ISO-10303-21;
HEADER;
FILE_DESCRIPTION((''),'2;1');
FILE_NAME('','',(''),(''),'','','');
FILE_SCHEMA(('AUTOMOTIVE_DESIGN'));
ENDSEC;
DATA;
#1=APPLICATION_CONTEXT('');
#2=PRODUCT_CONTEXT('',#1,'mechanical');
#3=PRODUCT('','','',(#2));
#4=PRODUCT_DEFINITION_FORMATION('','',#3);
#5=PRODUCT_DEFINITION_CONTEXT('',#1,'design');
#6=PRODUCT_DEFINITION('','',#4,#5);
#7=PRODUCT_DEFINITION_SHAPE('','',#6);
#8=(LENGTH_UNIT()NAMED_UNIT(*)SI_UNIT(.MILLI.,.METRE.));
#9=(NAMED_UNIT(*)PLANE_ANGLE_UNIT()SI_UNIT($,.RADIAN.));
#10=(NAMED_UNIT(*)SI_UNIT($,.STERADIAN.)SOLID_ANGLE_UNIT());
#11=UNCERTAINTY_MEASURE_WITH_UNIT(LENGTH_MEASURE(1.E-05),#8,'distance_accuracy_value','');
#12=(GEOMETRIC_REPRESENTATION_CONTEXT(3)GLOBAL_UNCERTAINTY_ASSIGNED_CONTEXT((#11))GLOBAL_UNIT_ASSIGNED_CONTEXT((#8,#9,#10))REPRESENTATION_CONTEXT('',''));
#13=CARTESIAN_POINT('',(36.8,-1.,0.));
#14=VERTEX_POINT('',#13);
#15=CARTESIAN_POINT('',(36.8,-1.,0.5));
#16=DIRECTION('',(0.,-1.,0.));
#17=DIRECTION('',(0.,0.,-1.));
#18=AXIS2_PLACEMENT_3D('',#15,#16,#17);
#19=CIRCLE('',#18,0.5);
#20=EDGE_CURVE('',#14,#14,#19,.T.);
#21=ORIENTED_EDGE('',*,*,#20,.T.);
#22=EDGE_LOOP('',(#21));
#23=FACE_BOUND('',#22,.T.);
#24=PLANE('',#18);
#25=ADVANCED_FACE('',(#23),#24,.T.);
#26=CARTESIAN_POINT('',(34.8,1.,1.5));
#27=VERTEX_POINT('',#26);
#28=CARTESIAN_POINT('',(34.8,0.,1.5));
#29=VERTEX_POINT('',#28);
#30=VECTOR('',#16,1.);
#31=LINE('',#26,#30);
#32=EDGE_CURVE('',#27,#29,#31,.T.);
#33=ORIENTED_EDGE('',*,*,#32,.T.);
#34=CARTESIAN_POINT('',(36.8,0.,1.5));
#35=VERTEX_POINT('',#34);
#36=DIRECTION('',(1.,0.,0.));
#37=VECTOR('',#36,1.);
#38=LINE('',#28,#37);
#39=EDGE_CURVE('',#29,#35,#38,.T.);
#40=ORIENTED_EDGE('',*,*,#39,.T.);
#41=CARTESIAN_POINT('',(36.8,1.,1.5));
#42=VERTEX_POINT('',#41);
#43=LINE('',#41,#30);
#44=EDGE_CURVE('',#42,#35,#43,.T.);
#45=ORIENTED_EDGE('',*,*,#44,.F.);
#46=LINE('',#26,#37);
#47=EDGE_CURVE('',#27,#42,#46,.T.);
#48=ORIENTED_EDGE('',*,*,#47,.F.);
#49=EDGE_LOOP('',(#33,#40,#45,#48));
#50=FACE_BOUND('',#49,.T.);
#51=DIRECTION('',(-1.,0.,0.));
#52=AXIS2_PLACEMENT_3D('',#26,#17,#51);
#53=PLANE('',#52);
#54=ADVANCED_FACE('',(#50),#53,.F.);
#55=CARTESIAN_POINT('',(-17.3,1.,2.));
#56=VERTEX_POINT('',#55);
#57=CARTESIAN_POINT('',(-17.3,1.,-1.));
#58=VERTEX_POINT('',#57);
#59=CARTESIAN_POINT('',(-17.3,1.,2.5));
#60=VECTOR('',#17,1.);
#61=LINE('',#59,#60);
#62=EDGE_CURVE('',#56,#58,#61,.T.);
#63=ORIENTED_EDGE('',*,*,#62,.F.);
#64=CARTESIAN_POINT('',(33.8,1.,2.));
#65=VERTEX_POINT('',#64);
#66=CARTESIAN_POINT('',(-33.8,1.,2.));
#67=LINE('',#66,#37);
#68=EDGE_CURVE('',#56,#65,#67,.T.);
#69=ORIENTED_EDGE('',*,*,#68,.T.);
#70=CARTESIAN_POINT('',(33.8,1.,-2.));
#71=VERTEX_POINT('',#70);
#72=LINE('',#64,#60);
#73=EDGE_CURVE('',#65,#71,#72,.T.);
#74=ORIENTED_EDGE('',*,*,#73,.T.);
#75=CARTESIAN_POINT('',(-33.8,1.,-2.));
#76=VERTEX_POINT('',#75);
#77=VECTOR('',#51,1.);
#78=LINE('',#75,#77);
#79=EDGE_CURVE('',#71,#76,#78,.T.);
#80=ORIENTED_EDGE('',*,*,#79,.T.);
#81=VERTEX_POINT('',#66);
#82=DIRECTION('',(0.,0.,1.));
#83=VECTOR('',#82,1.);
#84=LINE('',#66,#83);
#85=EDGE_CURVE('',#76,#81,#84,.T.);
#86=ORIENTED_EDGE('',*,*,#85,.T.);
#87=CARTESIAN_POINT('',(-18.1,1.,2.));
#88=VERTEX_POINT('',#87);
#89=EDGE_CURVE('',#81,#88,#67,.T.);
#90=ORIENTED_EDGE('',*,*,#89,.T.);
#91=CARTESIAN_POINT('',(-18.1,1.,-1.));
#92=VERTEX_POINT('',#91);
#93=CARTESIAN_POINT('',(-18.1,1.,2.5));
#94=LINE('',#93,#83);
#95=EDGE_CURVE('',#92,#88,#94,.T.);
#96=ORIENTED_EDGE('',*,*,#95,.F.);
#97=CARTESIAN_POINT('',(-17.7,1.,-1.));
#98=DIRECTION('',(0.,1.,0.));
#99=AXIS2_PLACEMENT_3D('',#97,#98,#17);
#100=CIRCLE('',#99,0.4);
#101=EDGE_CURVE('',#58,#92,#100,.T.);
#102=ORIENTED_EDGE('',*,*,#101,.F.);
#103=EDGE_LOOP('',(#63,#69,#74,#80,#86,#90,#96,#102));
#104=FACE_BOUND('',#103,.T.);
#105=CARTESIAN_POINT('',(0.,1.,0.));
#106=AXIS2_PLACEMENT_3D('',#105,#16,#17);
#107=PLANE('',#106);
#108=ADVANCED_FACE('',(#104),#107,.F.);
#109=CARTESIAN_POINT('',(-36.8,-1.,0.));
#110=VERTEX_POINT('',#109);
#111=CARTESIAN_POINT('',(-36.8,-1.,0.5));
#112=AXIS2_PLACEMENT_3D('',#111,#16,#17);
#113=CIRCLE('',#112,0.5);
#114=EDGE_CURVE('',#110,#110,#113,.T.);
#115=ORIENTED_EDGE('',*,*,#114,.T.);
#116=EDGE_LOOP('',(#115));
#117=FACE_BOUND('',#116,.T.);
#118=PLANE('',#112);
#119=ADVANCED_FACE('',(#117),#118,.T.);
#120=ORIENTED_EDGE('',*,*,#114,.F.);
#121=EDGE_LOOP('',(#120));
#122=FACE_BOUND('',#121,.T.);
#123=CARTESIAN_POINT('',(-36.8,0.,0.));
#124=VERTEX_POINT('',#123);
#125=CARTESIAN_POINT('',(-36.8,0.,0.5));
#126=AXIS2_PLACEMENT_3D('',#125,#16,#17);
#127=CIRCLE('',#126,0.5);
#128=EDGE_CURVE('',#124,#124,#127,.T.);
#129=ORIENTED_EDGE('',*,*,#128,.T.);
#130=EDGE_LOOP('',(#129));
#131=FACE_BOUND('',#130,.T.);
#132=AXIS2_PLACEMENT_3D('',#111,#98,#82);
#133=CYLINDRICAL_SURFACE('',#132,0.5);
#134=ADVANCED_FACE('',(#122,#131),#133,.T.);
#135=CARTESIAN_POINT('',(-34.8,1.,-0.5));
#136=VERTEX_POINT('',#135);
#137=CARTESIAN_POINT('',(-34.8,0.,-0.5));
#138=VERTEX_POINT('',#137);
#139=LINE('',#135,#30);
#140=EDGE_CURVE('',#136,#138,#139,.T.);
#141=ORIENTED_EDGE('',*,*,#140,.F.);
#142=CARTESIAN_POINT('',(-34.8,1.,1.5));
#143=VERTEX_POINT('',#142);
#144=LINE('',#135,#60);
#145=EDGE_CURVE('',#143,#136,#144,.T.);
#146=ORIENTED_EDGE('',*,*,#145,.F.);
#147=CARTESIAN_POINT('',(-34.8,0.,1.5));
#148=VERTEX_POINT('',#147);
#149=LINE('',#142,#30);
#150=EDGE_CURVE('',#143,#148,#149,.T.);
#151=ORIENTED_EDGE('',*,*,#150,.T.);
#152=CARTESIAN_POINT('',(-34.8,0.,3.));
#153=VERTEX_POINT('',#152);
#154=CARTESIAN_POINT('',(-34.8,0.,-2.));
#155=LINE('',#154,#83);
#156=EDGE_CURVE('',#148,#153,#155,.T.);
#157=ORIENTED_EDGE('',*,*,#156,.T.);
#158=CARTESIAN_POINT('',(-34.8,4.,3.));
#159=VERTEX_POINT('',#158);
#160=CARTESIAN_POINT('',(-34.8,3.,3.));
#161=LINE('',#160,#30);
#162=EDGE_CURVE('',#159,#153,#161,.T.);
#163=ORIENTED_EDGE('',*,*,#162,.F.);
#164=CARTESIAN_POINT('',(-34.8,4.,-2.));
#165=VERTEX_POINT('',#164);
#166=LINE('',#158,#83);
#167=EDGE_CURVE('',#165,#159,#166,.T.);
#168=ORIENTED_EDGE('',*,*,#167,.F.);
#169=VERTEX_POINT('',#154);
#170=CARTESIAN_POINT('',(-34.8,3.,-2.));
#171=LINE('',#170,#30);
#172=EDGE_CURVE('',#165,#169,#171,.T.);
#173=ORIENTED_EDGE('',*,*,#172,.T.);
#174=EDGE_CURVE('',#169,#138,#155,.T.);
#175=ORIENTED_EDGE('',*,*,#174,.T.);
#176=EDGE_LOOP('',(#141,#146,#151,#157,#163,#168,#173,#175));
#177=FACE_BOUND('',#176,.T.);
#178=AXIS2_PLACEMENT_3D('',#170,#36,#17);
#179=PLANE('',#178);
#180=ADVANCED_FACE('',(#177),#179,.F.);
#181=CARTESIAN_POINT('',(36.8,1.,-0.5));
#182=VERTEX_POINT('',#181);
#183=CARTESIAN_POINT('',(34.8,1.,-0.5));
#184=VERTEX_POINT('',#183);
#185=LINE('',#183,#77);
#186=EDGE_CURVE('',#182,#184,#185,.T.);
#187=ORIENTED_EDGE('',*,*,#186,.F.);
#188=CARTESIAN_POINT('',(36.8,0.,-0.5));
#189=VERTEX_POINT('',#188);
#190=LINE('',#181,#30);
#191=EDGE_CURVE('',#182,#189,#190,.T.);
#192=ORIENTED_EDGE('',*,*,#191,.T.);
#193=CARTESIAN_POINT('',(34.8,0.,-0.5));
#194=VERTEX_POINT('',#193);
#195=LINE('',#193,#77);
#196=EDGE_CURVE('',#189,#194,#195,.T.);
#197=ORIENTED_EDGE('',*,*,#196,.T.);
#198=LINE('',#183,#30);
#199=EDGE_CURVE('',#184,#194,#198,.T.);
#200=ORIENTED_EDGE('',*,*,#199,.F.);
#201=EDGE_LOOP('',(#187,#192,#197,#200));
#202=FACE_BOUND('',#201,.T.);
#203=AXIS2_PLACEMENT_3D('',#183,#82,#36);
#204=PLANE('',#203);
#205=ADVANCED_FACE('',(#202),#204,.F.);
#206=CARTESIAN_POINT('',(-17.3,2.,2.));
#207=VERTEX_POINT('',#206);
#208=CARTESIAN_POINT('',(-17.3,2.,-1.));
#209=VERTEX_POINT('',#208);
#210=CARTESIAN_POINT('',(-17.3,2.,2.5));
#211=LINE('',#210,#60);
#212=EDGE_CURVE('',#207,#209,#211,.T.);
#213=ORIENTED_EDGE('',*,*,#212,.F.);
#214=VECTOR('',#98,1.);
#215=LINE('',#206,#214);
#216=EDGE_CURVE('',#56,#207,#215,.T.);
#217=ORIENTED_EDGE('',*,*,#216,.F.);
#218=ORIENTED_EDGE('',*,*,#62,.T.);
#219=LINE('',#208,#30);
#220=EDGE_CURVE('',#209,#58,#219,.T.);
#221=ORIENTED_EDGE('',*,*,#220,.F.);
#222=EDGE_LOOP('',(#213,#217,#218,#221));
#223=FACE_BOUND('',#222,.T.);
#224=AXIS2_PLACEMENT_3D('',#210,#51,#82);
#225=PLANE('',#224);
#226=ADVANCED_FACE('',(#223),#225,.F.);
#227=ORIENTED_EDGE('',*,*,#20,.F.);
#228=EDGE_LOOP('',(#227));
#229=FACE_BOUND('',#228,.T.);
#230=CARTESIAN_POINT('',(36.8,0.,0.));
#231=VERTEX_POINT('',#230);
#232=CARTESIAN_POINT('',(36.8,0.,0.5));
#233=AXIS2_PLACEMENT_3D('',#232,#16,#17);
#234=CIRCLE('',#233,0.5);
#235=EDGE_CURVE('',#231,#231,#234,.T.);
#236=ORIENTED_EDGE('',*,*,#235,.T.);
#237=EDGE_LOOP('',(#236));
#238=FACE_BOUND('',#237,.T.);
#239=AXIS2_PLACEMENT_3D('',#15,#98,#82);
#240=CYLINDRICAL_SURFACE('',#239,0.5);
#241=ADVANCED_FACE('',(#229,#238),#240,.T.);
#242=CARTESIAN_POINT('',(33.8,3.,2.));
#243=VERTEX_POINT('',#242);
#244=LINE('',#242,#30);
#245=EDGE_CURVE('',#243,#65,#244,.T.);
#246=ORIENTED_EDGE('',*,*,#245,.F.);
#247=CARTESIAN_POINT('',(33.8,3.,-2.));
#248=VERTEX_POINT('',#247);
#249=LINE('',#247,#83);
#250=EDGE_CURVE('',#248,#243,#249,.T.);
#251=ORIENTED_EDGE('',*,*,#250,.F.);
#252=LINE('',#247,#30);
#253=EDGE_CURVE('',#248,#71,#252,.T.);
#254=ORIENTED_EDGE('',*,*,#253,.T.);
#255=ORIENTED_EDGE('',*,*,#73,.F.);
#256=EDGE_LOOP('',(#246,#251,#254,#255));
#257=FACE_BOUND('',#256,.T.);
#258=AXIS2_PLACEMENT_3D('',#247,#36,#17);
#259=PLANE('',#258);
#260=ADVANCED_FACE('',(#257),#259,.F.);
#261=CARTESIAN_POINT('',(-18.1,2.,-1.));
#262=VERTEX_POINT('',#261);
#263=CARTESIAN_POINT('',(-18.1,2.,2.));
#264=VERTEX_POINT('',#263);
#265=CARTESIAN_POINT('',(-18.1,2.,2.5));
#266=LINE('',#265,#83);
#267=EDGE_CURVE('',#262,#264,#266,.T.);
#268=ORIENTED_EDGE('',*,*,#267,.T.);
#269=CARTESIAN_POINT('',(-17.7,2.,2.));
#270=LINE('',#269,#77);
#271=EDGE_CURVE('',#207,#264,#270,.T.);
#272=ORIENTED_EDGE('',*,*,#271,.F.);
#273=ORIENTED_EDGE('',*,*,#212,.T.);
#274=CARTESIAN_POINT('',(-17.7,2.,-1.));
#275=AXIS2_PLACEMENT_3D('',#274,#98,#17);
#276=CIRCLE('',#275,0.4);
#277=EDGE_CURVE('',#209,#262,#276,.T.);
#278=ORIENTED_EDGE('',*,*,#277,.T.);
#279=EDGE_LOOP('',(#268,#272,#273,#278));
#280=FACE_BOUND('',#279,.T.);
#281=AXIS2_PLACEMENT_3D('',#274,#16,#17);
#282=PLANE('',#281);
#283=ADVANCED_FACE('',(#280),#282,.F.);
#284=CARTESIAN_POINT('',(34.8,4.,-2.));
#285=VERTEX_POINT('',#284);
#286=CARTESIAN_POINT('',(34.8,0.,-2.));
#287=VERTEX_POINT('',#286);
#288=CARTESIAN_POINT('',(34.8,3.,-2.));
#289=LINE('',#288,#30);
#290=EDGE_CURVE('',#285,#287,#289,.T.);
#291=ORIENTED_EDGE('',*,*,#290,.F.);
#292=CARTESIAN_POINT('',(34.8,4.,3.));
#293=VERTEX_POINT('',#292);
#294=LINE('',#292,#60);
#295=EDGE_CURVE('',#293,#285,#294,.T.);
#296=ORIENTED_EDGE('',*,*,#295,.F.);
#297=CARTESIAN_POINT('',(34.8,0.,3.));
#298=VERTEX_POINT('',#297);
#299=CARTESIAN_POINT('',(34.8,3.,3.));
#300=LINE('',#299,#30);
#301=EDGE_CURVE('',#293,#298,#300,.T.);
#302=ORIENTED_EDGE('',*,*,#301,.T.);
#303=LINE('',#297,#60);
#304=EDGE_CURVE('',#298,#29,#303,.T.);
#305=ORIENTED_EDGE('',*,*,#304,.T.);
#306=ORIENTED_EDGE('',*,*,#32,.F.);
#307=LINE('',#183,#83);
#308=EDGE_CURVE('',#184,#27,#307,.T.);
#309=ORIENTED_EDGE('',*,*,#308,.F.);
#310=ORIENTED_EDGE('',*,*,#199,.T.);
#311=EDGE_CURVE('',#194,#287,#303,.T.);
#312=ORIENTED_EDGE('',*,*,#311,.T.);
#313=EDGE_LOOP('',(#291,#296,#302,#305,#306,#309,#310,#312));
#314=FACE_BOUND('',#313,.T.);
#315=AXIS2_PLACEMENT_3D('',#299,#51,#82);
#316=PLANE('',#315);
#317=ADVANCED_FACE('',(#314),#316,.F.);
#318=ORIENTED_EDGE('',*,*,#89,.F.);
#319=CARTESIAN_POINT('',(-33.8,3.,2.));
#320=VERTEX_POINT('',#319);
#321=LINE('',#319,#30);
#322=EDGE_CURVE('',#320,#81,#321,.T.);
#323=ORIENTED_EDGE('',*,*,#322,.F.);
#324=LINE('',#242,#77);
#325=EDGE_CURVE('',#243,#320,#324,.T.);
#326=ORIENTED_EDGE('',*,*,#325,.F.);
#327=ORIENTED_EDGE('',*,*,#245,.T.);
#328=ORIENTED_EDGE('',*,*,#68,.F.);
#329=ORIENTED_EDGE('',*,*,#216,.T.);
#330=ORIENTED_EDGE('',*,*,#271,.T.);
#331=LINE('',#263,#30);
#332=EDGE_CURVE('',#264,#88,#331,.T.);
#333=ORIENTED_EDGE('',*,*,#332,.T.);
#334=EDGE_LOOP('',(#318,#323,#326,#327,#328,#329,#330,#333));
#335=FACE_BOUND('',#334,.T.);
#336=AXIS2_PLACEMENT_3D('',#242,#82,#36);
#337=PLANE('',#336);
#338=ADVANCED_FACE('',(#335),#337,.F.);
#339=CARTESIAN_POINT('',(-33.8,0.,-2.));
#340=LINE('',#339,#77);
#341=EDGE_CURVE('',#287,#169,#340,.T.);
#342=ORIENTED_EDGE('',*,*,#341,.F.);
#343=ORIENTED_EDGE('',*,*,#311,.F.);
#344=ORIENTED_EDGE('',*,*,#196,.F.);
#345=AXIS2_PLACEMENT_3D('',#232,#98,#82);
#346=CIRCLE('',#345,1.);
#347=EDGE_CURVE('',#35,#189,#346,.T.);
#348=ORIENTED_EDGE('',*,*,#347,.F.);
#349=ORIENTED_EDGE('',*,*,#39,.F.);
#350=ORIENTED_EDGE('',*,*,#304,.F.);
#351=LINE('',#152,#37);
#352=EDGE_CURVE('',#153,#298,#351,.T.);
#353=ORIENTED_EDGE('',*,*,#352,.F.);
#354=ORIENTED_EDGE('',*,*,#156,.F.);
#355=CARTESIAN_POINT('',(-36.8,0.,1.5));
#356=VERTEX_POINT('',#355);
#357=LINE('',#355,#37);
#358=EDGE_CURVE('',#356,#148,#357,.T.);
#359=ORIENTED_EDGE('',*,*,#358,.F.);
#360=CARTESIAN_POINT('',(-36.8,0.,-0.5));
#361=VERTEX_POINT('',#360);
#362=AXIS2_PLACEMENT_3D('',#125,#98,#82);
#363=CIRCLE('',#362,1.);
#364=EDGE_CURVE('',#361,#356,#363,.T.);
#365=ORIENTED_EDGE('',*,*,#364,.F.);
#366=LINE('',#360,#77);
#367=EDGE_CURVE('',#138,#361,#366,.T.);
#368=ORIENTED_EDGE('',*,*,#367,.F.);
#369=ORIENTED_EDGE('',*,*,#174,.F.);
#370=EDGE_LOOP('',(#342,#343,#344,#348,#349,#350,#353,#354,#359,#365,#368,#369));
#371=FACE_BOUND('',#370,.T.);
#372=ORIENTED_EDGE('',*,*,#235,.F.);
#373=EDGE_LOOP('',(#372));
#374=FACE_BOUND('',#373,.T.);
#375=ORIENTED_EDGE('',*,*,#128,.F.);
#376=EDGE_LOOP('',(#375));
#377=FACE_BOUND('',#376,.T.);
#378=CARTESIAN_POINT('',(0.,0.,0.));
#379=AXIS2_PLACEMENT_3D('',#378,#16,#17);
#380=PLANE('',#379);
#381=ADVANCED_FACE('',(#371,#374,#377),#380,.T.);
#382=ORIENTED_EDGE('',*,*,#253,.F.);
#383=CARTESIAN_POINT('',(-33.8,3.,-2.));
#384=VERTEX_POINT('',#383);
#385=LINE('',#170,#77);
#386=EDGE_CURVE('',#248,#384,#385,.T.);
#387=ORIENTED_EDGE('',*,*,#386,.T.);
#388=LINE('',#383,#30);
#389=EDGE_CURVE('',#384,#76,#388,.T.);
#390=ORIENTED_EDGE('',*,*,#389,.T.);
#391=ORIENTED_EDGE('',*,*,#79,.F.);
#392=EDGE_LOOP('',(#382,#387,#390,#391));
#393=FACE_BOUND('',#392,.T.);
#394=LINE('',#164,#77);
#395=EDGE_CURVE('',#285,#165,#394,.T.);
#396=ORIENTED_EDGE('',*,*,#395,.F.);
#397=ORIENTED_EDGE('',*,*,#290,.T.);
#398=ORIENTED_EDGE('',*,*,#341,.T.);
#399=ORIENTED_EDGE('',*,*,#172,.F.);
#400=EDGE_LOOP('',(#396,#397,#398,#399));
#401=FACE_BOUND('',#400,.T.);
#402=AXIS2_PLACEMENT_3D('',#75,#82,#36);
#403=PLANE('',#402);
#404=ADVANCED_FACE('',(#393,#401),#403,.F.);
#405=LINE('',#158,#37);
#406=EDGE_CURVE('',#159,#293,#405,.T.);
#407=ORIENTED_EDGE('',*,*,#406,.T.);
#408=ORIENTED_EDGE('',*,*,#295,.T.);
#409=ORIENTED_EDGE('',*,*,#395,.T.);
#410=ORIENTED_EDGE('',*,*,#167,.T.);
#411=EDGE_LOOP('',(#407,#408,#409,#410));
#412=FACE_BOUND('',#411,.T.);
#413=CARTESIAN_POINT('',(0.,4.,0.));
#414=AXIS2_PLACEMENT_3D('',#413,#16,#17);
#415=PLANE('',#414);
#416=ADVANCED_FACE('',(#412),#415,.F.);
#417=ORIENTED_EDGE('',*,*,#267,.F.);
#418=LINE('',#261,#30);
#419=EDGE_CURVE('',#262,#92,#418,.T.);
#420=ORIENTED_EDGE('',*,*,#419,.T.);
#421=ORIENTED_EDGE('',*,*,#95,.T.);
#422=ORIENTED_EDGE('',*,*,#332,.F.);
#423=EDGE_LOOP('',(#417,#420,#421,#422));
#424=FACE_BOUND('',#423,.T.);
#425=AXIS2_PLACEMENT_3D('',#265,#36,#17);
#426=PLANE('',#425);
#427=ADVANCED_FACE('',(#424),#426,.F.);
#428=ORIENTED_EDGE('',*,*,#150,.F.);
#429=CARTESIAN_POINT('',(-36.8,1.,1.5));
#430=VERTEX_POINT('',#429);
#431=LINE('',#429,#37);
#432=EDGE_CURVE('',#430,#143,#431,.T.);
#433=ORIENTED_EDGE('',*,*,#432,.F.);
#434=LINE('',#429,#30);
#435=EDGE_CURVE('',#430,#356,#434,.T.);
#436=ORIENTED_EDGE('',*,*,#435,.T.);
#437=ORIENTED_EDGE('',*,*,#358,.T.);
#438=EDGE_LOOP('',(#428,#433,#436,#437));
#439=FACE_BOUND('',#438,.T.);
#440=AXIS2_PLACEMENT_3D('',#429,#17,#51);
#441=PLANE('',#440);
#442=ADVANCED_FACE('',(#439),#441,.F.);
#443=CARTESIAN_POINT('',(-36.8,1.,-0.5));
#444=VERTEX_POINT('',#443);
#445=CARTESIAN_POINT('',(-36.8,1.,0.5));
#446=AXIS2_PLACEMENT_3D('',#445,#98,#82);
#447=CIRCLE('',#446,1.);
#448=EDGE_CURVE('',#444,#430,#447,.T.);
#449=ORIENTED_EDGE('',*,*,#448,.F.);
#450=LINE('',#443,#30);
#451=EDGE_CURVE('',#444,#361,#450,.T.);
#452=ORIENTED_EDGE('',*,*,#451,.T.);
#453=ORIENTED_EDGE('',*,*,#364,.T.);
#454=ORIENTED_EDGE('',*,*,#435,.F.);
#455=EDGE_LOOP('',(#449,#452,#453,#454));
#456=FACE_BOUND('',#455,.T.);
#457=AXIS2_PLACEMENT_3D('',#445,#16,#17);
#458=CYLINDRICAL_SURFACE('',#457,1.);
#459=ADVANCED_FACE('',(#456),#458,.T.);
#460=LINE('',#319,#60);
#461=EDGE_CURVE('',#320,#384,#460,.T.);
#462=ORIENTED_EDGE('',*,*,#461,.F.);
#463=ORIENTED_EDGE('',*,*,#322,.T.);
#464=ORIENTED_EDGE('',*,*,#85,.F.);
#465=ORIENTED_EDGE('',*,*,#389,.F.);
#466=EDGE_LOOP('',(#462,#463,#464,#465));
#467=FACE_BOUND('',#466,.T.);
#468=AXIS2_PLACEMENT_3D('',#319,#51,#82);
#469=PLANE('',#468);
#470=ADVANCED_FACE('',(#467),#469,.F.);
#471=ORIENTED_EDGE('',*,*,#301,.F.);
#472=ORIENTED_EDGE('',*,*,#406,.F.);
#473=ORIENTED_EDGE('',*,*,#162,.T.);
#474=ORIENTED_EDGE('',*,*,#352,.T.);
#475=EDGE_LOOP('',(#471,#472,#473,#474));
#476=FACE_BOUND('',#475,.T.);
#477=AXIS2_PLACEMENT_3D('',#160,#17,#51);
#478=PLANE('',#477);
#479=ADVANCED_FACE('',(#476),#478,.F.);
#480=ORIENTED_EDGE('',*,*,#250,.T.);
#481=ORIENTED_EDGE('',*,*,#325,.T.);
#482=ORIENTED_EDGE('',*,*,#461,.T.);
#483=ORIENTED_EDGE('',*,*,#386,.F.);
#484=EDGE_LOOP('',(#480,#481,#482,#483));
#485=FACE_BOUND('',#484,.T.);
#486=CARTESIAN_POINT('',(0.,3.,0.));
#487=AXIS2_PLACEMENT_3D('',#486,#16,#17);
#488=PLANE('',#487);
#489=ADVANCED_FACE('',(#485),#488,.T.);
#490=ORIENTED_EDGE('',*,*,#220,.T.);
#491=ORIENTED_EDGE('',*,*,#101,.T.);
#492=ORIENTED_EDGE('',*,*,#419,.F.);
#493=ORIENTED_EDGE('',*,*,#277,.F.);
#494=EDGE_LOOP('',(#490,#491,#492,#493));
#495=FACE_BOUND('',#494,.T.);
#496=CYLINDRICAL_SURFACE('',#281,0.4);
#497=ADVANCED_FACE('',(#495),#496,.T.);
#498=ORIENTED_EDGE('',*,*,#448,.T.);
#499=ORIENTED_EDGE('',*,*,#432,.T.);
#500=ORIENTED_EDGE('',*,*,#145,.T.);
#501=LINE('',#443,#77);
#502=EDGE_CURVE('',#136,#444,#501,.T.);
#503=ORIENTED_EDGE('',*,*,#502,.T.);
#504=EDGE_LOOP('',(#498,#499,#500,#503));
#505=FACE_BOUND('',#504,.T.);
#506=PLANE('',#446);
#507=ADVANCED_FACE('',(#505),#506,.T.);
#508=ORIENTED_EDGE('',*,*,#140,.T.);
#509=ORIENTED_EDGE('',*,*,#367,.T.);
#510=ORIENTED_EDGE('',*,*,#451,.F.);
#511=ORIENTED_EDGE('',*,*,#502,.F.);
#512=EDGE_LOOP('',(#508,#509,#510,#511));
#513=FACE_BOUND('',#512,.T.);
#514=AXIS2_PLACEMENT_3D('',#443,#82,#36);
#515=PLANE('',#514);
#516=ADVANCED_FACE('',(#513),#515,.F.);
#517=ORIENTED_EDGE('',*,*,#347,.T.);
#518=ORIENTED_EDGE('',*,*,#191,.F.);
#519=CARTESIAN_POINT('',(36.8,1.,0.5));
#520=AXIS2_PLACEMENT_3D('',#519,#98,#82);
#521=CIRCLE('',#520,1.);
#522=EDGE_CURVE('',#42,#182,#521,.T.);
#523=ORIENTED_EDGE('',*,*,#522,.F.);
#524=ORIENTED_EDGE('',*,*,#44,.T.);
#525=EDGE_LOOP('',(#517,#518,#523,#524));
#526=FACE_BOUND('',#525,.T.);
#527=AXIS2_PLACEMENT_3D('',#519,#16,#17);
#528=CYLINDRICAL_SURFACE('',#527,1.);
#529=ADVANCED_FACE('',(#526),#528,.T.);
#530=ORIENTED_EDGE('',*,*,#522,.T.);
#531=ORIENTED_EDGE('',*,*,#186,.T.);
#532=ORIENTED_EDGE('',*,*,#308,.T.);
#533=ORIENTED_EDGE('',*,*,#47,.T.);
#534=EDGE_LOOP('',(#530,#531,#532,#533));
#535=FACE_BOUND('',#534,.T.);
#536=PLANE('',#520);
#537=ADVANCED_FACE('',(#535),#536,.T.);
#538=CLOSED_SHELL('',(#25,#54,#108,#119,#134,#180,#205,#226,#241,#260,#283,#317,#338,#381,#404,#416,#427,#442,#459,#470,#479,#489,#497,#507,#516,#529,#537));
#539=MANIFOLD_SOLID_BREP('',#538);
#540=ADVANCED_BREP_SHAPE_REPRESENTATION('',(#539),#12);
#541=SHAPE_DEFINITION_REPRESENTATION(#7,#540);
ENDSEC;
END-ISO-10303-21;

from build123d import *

# Parameters (mm, degrees)
SKETCH1_W           = 67.6
SKETCH1_H           = 4
BASE_DEPTH          = 1
NOCK_DEPTH          = 1
WALLS_DEPTH         = 3
SKETCH4_W           = 69.6
SKETCH4_H           = 5
TOP_DEPTH           = 1
MOUNTINGTABS_DEPTH  = 1
SKETCH6_R           = 0.5
BOSS_EXTRUDE7_DEPTH = 1


with BuildPart() as part:
    # Sketch1 → Base (new body)
    with BuildSketch(Plane(origin=(0, 0, 0), x_dir=(1, 0, 0), z_dir=(0, 1, 0))):
        Rectangle(SKETCH1_W, SKETCH1_H)
    extrude(amount=BASE_DEPTH)

    # Sketch2 → nock (add)
    with BuildSketch(Plane(origin=(0, 1, 0), x_dir=(1, 0, 0), z_dir=(0, 1, 0))):
        with BuildLine():
            Line((-18.1, -2.5), (-18.1, 1))
            ThreePointArc((-18.1, 1), (-17.7, 1.4), (-17.3, 1))
            Line((-17.3, 1), (-17.3, -2.5))
            Line((-17.3, -2.5), (-18.1, -2.5))
        make_face()
    extrude(amount=NOCK_DEPTH)

    # Sketch3 → Walls (add)
    with BuildSketch(Plane(origin=(0, 0, 0), x_dir=(1, 0, 0), z_dir=(0, 1, 0))):
        Polygon((-33.8, 2), (-34.8, 2), (-34.8, -3), (34.8, -3), (34.8, 2), (33.8, 2), (33.8, -2), (-33.8, -2), align=None)
    extrude(amount=WALLS_DEPTH)

    # Sketch4 → Top (add)
    with BuildSketch(Plane(origin=(0, 3, 0), x_dir=(1, 0, 0), z_dir=(0, 1, 0))):
        with Locations((0, -0.5)):
            Rectangle(SKETCH4_W, SKETCH4_H)
    extrude(amount=TOP_DEPTH)

    # Sketch5 → MountingTabs (add)
    with BuildSketch(Plane(origin=(0, 0, 0), x_dir=(1, 0, 0), z_dir=(0, 1, 0))):
        with BuildLine():
            Line((-34.8, 0.5), (-34.8, -1.5))
            Line((-34.8, -1.5), (-36.8, -1.5))
            ThreePointArc((-36.8, -1.5), (-37.8, -0.5), (-36.8, 0.5))
            Line((-36.8, 0.5), (-34.8, 0.5))
        make_face()
        with BuildLine():
            Line((34.8, -1.5), (36.8, -1.5))
            ThreePointArc((36.8, -1.5), (37.8, -0.5), (36.8, 0.5))
            Line((36.8, 0.5), (34.8, 0.5))
            Line((34.8, 0.5), (34.8, -1.5))
        make_face()
    extrude(amount=MOUNTINGTABS_DEPTH)

    # Sketch6 → Boss-Extrude7 (add)
    with BuildSketch(Plane.XZ):
        with Locations(Location((-36.8, 0.5, 0), (0, 0, 270))):
            Circle(SKETCH6_R)
        with Locations(Location((36.8, 0.5, 0), (0, 0, 270))):
            Circle(SKETCH6_R)
    extrude(amount=BOSS_EXTRUDE7_DEPTH)


solid = part.part
